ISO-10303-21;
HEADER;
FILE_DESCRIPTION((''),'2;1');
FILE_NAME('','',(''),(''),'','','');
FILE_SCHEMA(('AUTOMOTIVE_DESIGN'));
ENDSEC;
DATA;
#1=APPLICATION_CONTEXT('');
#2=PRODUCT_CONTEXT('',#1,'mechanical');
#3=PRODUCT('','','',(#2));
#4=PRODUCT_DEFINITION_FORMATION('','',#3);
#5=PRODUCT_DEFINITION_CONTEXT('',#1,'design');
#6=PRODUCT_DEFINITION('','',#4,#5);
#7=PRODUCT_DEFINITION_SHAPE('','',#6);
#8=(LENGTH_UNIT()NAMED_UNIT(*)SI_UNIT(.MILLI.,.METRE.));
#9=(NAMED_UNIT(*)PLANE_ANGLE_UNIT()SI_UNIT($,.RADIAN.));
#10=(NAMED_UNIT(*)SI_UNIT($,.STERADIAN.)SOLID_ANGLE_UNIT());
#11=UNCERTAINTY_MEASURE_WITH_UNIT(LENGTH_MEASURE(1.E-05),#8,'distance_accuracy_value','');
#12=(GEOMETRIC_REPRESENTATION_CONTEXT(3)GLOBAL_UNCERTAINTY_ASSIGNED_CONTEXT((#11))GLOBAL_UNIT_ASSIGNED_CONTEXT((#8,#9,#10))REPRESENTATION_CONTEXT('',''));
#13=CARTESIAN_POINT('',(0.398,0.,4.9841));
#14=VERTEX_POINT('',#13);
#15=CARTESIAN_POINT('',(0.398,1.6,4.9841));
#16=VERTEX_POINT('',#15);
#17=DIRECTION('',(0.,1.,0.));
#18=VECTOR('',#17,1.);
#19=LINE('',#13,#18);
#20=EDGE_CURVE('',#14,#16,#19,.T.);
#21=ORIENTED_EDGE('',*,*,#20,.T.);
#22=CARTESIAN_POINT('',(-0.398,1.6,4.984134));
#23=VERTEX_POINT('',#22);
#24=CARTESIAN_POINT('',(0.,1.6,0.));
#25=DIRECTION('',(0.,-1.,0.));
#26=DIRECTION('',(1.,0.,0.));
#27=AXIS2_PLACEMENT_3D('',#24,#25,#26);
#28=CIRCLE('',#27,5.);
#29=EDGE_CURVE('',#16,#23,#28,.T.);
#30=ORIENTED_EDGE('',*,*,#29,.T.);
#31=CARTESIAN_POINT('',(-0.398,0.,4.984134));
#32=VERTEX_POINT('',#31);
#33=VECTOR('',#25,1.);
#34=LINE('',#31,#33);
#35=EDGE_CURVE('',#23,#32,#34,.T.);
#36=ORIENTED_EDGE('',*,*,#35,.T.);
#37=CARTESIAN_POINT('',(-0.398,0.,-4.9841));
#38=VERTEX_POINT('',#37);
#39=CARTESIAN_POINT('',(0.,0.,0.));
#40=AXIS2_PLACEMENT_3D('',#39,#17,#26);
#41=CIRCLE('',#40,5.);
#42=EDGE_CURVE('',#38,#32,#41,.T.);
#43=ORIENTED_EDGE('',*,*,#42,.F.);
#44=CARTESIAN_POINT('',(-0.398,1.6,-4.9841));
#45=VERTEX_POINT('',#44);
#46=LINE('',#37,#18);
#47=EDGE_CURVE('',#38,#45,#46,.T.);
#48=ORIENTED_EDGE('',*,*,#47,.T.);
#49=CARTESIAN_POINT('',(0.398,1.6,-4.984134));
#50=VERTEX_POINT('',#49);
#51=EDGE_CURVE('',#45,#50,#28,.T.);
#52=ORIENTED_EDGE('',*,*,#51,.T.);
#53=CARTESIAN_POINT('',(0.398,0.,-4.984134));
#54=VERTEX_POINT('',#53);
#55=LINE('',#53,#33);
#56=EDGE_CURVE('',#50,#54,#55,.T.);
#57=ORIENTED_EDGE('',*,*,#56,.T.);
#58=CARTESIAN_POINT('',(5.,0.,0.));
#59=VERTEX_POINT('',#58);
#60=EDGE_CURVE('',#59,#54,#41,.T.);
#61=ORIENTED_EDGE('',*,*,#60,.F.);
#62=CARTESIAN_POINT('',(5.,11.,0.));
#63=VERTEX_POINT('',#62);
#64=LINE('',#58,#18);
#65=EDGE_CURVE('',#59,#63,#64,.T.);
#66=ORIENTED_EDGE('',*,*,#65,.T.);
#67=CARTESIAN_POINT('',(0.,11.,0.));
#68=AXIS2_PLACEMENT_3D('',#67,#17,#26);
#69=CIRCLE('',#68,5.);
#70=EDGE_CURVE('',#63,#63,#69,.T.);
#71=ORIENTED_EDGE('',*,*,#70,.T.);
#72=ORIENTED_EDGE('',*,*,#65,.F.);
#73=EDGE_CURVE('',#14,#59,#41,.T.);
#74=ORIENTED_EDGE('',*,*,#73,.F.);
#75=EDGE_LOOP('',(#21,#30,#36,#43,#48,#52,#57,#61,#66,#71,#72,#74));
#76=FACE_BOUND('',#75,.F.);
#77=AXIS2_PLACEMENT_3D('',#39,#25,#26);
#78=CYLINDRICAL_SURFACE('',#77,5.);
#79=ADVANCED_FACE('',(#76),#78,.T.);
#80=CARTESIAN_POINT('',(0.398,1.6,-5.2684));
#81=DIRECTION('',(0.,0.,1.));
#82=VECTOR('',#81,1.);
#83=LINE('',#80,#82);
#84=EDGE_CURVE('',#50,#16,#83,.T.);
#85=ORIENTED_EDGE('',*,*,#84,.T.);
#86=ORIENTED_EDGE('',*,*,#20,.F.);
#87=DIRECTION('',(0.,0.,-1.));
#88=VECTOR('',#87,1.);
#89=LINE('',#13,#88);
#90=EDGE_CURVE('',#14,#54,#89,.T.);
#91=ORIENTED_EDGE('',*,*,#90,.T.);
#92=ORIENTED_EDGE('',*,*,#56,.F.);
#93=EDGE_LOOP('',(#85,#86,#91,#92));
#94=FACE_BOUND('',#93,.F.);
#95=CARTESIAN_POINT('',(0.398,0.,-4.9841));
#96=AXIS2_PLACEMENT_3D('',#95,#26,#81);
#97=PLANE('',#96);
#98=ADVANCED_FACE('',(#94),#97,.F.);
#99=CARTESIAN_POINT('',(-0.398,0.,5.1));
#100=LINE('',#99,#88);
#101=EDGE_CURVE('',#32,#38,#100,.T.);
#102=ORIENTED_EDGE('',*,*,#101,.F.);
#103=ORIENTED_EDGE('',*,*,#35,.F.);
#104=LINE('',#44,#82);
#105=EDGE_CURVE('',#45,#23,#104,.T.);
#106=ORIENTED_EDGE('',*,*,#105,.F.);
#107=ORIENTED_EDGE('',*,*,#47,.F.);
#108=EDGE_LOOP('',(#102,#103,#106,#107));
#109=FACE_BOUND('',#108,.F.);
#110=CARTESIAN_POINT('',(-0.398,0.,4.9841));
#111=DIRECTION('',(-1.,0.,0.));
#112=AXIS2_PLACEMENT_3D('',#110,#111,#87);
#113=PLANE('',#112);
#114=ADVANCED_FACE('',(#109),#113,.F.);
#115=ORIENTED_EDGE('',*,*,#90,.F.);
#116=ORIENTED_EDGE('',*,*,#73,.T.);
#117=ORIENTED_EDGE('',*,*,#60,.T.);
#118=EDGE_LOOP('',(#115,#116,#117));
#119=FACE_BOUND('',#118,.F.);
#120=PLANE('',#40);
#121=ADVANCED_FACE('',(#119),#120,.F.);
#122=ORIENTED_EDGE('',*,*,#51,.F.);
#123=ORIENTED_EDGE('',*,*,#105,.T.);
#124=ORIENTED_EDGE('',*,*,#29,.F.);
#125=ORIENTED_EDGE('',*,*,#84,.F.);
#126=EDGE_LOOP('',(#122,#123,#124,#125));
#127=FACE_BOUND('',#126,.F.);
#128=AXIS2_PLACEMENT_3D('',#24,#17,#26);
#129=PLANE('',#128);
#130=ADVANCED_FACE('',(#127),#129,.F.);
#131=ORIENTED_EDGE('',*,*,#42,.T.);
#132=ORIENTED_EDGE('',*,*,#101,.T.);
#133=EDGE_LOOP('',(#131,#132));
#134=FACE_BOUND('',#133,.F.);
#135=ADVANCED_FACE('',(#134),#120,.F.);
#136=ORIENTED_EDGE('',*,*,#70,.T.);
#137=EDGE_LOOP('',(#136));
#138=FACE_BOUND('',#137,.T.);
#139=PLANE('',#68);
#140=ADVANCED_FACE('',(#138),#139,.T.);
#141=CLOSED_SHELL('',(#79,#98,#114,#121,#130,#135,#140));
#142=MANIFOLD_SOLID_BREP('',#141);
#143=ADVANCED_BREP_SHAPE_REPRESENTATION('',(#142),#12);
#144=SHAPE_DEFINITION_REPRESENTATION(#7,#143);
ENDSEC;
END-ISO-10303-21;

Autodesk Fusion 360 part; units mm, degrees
sketch "Sketch1" plane through (0, 0, 0) normal (0, 1, 0) x (1, 0, 0)
  circle A0 centre (0, 0) radius 5
  dimension "d1" = 10
extrude "Extrude1" add sketch "Sketch1" along normal blind 11
sketch "Sketch2" plane through (0, 0, 0) normal (1, 0, 0) x (0, 1, 0)
sketch "Sketch3" plane through (0, 0, 0) normal (0, 1, 0) x (1, 0, 0)
  circle A0 centre (0, 0) radius 5
  line L0 (-0.398, -4.9841) -> (-0.398, 4.9841)
  line L1 (0.398, 4.9841) -> (0.398, -4.9841)
  line L2 (-0.398, -4.9841) -> (-0.398, -5.1)
  line L3 (-0.398, -5.1) -> (0.4, -5.1)
  line L4 (0.4, -5.1) -> (0.398, -4.9841)
  line L5 (0.398, 4.9841) -> (0.398, 5.2684)
  line L6 (0.398, 5.2684) -> (-0.5, 5.2684)
  line L7 (-0.5, 5.2684) -> (-0.398, 4.9841)
extrude "Extrude2" cut sketch "Sketch3" along normal blind 1.6 contours A0 L0 L1 | A0 L5 L6 L7 | A0 L2 L3 L4
